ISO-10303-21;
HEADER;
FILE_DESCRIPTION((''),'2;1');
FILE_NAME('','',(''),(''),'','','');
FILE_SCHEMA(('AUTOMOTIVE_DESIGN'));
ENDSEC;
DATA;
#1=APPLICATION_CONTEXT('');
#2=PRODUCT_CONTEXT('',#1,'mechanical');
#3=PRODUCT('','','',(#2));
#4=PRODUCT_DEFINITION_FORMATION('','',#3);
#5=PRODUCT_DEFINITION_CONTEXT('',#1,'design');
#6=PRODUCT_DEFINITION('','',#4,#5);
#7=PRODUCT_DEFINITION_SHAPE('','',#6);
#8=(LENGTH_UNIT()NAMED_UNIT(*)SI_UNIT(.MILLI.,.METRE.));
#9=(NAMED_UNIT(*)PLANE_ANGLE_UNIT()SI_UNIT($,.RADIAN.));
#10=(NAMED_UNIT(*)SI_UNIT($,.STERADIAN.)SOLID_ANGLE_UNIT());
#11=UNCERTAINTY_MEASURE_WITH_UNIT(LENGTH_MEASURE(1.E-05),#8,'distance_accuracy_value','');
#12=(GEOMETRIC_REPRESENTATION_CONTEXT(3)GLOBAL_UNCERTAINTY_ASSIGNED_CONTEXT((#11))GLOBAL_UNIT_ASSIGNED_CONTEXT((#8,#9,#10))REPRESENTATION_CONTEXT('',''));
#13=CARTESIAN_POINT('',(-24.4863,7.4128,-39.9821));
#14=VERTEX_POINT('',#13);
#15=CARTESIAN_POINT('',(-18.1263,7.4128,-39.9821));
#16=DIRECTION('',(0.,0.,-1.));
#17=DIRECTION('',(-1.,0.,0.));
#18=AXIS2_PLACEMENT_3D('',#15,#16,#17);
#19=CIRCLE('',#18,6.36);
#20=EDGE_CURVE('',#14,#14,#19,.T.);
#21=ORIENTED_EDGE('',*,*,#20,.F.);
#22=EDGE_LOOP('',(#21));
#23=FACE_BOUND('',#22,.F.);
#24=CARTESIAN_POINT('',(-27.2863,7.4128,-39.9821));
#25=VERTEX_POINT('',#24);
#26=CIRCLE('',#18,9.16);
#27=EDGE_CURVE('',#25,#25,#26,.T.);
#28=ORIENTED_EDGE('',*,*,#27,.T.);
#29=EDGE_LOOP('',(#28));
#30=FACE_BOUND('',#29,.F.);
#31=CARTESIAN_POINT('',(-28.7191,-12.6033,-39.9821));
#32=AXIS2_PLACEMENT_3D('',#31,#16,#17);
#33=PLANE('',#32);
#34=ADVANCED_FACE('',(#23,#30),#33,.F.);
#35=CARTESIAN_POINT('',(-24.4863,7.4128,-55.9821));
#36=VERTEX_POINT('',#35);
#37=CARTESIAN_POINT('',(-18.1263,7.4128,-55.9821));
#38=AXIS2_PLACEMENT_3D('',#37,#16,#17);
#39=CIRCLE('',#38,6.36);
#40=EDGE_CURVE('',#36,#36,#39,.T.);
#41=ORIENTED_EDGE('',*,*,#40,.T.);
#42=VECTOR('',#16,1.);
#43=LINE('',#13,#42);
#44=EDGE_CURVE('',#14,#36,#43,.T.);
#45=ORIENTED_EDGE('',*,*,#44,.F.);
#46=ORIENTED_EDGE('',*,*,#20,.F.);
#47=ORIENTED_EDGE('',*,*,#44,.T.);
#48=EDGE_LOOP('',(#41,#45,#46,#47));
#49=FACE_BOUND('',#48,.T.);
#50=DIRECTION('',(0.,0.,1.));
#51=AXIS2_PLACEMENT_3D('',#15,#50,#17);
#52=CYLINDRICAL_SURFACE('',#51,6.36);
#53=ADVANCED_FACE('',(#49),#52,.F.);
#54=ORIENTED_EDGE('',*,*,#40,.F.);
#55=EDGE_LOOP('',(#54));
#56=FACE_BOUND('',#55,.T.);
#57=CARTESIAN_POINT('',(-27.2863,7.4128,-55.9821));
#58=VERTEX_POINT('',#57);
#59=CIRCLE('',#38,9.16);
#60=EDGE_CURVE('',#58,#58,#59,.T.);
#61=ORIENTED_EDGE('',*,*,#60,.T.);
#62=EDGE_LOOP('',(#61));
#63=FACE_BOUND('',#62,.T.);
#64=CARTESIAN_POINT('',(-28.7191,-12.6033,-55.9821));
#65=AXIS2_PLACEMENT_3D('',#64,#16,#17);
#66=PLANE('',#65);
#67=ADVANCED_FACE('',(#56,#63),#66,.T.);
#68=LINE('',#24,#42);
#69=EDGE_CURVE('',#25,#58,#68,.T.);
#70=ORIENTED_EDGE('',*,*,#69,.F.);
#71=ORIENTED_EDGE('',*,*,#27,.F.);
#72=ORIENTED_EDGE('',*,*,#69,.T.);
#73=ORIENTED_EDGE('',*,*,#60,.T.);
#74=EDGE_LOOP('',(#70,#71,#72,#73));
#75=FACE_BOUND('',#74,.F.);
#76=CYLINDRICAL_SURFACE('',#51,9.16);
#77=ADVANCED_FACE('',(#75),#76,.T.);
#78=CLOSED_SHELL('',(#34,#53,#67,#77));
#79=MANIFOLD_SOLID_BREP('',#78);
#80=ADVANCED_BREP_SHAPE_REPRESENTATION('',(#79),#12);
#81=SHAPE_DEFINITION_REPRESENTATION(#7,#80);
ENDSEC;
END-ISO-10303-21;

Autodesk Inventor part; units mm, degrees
ref_plane "YZ Plane" through (0, 0, 0) normal (1, 0, 0) x (0, 1, 0)
ref_plane "XZ Plane" through (0, 0, 0) normal (0, 1, 0) x (-1, 0, 0)
ref_plane "XY Plane" through (0, 0, 0) normal (0, 0, 1) x (1, 0, 0)
ref_plane "Work Plane1" through (-28.7191, -12.6033, -39.9821) normal (0, 0, -1) x (-1, 0, 0)
sketch "Sketch1" plane through (-28.7191, -12.6033, -39.9821) normal (0, 0, -1) x (-1, 0, 0)
  circle A0 centre (-10.5928, 20.0161) radius 9.16 projected
  circle A1 centre (-10.5928, 20.0161) radius 6.36 projected
  point P0 (-28.7191, 12.6033)
extrude "Extrusion1" add sketch "Sketch1" along normal blind 16
properties part number "spacerB_V3"
